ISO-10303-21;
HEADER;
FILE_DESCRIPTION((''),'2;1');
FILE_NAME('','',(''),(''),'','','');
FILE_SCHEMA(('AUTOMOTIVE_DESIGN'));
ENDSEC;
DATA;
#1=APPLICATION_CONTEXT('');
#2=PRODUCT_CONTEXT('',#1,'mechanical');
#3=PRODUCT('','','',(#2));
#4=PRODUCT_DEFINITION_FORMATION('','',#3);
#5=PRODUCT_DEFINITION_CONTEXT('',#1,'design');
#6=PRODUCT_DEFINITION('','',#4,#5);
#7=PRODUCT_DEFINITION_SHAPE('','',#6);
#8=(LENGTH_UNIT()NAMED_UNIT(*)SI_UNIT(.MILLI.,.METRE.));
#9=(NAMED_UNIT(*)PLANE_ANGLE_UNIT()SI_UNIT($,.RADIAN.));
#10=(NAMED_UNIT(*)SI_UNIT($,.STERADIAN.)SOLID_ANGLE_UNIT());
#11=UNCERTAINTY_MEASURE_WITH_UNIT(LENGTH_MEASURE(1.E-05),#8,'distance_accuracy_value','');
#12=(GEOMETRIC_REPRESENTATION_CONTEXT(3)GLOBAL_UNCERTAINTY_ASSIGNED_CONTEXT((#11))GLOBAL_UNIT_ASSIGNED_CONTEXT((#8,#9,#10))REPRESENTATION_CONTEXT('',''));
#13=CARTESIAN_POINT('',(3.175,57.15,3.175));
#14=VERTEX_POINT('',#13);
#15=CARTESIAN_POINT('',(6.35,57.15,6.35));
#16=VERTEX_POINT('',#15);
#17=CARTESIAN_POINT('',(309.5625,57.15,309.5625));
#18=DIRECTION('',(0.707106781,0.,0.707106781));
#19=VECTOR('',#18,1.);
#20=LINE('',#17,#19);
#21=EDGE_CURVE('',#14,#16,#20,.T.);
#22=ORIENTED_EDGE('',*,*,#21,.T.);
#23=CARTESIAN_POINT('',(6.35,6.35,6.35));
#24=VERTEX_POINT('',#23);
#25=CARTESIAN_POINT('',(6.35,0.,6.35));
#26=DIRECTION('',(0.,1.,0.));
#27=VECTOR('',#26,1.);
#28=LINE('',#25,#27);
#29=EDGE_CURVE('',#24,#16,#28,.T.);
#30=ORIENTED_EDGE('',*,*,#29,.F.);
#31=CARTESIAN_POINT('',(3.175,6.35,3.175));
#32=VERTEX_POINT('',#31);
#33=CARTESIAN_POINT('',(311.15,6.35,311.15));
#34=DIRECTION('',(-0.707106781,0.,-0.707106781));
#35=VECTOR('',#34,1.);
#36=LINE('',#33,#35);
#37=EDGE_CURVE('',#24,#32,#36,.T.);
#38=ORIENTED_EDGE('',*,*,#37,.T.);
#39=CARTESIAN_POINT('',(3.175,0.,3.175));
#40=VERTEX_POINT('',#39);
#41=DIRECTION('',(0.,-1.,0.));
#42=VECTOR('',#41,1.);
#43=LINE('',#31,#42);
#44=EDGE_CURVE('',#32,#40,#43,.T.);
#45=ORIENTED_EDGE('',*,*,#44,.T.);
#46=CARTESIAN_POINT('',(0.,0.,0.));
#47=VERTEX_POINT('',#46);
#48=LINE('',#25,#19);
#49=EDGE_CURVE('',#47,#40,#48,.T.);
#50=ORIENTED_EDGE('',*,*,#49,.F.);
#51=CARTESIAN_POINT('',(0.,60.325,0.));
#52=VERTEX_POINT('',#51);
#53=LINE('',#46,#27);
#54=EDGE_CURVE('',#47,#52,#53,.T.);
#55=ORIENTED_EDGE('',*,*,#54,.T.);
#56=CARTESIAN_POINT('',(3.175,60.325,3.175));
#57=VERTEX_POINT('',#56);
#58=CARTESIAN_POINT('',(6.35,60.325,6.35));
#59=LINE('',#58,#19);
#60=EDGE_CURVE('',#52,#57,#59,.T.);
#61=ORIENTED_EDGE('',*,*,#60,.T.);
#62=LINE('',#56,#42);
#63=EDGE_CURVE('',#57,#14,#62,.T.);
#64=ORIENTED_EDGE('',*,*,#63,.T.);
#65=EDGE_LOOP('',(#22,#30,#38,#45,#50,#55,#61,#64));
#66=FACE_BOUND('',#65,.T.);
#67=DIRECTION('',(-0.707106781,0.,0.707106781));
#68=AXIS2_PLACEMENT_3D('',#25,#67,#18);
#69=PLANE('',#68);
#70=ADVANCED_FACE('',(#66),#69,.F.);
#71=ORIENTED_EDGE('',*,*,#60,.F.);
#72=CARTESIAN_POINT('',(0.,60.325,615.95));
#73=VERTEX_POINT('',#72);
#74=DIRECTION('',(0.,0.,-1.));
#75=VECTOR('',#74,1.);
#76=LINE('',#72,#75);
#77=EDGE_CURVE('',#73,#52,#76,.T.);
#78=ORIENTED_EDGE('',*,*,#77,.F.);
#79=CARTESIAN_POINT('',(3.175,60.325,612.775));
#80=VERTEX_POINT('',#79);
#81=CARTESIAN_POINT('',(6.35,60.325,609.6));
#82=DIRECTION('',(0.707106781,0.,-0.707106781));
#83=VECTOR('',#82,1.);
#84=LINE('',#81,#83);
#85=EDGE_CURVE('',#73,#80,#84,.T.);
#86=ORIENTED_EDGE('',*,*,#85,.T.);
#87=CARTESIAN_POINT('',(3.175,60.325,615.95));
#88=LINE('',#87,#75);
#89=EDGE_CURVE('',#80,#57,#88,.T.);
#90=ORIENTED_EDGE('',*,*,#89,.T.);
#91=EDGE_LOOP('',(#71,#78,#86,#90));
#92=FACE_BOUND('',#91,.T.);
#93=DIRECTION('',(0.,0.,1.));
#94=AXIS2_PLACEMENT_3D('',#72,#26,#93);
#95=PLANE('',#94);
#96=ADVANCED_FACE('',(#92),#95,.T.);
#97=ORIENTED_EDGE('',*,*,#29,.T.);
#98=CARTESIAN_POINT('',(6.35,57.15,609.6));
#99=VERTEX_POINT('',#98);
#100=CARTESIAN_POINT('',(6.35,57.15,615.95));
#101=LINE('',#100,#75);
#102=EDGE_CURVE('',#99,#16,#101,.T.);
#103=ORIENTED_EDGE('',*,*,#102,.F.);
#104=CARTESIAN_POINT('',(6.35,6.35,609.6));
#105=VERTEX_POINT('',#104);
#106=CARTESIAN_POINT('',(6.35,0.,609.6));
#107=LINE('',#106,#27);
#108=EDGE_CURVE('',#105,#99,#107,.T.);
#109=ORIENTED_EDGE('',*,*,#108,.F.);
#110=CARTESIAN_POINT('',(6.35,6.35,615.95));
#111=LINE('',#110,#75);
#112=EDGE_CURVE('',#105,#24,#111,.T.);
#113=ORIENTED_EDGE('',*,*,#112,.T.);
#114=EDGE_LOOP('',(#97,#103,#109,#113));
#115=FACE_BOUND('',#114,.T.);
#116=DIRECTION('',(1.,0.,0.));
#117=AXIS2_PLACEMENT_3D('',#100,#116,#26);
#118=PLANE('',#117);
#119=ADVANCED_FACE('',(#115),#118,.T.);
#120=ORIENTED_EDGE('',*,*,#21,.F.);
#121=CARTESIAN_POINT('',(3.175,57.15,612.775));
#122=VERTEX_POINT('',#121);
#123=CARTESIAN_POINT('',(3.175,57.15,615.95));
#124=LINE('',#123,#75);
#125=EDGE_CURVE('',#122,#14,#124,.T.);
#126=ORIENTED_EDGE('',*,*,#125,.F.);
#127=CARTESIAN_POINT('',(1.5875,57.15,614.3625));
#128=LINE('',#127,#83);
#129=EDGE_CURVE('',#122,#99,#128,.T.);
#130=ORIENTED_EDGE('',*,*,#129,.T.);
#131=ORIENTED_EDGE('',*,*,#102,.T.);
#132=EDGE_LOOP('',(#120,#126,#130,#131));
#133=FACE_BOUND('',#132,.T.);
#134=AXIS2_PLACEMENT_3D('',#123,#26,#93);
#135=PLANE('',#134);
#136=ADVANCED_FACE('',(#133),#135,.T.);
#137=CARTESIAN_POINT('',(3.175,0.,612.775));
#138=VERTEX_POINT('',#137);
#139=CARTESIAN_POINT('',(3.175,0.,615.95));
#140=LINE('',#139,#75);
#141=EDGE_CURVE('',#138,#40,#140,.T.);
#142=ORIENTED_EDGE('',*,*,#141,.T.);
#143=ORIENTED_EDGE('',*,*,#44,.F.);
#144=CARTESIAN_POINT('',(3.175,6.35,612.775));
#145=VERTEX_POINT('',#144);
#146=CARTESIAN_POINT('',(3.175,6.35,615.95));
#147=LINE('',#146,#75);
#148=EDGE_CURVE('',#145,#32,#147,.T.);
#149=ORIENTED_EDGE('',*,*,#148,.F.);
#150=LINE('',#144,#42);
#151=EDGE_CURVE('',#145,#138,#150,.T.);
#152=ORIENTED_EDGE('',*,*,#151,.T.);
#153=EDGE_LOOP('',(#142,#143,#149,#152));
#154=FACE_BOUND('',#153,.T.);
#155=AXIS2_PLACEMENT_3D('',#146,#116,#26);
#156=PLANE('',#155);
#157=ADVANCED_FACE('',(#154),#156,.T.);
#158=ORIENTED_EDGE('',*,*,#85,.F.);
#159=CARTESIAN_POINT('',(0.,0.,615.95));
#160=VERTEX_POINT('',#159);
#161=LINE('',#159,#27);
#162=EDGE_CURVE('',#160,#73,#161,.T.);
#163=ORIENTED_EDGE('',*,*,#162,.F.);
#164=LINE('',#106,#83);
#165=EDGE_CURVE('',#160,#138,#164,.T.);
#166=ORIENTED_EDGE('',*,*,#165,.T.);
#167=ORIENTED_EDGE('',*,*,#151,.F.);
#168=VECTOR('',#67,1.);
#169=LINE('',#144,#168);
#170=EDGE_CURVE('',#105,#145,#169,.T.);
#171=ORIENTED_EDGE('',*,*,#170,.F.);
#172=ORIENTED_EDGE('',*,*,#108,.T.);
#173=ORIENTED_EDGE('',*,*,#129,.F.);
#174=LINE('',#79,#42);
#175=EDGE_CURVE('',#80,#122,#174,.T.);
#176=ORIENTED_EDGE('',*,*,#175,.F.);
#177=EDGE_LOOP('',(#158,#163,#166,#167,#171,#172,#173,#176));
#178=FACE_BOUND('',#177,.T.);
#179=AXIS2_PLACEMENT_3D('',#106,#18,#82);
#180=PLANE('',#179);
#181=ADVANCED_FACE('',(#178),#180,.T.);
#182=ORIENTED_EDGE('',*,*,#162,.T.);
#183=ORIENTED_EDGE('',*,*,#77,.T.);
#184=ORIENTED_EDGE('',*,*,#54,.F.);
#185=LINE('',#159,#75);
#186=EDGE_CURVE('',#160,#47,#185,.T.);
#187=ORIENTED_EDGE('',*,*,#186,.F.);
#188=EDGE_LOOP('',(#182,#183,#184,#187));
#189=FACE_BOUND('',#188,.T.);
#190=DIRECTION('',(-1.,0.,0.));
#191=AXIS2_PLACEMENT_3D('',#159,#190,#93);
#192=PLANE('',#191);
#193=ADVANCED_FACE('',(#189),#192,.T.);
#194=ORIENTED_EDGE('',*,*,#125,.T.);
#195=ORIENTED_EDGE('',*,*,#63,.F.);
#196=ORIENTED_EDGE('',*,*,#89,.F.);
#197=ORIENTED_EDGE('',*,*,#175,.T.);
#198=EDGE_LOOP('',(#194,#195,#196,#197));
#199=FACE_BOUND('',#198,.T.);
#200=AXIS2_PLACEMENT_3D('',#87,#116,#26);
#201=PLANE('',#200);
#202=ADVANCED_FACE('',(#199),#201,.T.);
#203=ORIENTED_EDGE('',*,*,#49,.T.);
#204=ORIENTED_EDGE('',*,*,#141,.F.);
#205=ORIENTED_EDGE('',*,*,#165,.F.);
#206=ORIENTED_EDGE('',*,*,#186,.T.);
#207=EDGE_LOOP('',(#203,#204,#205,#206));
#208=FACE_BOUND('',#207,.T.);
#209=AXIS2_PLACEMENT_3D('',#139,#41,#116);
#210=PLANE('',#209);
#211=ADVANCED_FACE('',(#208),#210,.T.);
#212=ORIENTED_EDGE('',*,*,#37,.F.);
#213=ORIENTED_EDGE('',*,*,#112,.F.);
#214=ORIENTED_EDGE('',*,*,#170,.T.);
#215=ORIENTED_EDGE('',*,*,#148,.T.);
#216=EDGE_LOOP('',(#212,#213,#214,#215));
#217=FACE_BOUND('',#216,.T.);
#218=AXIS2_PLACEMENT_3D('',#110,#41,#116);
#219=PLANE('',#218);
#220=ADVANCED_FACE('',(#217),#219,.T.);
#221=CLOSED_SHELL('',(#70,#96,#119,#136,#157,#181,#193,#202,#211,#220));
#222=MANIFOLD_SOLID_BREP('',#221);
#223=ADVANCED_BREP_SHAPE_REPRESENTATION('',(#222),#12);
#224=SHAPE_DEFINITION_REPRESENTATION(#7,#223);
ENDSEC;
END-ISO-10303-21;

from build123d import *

# Parameters (mm, degrees)
BOSS_EXTRUDE1_DEPTH = 615.95
CUT_EXTRUDE1_DEPTH  = 619.929584545


with BuildPart() as part:
    # Sketch1 → Boss-Extrude1 (new body)
    with BuildSketch(Plane.XY):
        Polygon((0, 0), (0, 60.325), (3.175, 60.325), (3.175, 57.15), (6.35, 57.15), (6.35, 6.35), (3.175, 6.35), (3.175, 0), align=None)
    extrude(amount=BOSS_EXTRUDE1_DEPTH)

    # Sketch2 → Cut-Extrude1 (cut, through all)
    with BuildSketch(Plane(origin=(0, 60.325, 0), x_dir=(1, 0, 0), z_dir=(0, 1, 0))):
        Polygon((0, 0), (6.35, 0), (6.35, -6.35), align=None)
    cut_extrude1 = extrude(amount=-CUT_EXTRUDE1_DEPTH, mode=Mode.SUBTRACT)

    # Mirror1: Cut-Extrude1 across plane
    add(cut_extrude1.mirror(Plane.XY.offset(307.975)), mode=Mode.SUBTRACT)


solid = part.part
